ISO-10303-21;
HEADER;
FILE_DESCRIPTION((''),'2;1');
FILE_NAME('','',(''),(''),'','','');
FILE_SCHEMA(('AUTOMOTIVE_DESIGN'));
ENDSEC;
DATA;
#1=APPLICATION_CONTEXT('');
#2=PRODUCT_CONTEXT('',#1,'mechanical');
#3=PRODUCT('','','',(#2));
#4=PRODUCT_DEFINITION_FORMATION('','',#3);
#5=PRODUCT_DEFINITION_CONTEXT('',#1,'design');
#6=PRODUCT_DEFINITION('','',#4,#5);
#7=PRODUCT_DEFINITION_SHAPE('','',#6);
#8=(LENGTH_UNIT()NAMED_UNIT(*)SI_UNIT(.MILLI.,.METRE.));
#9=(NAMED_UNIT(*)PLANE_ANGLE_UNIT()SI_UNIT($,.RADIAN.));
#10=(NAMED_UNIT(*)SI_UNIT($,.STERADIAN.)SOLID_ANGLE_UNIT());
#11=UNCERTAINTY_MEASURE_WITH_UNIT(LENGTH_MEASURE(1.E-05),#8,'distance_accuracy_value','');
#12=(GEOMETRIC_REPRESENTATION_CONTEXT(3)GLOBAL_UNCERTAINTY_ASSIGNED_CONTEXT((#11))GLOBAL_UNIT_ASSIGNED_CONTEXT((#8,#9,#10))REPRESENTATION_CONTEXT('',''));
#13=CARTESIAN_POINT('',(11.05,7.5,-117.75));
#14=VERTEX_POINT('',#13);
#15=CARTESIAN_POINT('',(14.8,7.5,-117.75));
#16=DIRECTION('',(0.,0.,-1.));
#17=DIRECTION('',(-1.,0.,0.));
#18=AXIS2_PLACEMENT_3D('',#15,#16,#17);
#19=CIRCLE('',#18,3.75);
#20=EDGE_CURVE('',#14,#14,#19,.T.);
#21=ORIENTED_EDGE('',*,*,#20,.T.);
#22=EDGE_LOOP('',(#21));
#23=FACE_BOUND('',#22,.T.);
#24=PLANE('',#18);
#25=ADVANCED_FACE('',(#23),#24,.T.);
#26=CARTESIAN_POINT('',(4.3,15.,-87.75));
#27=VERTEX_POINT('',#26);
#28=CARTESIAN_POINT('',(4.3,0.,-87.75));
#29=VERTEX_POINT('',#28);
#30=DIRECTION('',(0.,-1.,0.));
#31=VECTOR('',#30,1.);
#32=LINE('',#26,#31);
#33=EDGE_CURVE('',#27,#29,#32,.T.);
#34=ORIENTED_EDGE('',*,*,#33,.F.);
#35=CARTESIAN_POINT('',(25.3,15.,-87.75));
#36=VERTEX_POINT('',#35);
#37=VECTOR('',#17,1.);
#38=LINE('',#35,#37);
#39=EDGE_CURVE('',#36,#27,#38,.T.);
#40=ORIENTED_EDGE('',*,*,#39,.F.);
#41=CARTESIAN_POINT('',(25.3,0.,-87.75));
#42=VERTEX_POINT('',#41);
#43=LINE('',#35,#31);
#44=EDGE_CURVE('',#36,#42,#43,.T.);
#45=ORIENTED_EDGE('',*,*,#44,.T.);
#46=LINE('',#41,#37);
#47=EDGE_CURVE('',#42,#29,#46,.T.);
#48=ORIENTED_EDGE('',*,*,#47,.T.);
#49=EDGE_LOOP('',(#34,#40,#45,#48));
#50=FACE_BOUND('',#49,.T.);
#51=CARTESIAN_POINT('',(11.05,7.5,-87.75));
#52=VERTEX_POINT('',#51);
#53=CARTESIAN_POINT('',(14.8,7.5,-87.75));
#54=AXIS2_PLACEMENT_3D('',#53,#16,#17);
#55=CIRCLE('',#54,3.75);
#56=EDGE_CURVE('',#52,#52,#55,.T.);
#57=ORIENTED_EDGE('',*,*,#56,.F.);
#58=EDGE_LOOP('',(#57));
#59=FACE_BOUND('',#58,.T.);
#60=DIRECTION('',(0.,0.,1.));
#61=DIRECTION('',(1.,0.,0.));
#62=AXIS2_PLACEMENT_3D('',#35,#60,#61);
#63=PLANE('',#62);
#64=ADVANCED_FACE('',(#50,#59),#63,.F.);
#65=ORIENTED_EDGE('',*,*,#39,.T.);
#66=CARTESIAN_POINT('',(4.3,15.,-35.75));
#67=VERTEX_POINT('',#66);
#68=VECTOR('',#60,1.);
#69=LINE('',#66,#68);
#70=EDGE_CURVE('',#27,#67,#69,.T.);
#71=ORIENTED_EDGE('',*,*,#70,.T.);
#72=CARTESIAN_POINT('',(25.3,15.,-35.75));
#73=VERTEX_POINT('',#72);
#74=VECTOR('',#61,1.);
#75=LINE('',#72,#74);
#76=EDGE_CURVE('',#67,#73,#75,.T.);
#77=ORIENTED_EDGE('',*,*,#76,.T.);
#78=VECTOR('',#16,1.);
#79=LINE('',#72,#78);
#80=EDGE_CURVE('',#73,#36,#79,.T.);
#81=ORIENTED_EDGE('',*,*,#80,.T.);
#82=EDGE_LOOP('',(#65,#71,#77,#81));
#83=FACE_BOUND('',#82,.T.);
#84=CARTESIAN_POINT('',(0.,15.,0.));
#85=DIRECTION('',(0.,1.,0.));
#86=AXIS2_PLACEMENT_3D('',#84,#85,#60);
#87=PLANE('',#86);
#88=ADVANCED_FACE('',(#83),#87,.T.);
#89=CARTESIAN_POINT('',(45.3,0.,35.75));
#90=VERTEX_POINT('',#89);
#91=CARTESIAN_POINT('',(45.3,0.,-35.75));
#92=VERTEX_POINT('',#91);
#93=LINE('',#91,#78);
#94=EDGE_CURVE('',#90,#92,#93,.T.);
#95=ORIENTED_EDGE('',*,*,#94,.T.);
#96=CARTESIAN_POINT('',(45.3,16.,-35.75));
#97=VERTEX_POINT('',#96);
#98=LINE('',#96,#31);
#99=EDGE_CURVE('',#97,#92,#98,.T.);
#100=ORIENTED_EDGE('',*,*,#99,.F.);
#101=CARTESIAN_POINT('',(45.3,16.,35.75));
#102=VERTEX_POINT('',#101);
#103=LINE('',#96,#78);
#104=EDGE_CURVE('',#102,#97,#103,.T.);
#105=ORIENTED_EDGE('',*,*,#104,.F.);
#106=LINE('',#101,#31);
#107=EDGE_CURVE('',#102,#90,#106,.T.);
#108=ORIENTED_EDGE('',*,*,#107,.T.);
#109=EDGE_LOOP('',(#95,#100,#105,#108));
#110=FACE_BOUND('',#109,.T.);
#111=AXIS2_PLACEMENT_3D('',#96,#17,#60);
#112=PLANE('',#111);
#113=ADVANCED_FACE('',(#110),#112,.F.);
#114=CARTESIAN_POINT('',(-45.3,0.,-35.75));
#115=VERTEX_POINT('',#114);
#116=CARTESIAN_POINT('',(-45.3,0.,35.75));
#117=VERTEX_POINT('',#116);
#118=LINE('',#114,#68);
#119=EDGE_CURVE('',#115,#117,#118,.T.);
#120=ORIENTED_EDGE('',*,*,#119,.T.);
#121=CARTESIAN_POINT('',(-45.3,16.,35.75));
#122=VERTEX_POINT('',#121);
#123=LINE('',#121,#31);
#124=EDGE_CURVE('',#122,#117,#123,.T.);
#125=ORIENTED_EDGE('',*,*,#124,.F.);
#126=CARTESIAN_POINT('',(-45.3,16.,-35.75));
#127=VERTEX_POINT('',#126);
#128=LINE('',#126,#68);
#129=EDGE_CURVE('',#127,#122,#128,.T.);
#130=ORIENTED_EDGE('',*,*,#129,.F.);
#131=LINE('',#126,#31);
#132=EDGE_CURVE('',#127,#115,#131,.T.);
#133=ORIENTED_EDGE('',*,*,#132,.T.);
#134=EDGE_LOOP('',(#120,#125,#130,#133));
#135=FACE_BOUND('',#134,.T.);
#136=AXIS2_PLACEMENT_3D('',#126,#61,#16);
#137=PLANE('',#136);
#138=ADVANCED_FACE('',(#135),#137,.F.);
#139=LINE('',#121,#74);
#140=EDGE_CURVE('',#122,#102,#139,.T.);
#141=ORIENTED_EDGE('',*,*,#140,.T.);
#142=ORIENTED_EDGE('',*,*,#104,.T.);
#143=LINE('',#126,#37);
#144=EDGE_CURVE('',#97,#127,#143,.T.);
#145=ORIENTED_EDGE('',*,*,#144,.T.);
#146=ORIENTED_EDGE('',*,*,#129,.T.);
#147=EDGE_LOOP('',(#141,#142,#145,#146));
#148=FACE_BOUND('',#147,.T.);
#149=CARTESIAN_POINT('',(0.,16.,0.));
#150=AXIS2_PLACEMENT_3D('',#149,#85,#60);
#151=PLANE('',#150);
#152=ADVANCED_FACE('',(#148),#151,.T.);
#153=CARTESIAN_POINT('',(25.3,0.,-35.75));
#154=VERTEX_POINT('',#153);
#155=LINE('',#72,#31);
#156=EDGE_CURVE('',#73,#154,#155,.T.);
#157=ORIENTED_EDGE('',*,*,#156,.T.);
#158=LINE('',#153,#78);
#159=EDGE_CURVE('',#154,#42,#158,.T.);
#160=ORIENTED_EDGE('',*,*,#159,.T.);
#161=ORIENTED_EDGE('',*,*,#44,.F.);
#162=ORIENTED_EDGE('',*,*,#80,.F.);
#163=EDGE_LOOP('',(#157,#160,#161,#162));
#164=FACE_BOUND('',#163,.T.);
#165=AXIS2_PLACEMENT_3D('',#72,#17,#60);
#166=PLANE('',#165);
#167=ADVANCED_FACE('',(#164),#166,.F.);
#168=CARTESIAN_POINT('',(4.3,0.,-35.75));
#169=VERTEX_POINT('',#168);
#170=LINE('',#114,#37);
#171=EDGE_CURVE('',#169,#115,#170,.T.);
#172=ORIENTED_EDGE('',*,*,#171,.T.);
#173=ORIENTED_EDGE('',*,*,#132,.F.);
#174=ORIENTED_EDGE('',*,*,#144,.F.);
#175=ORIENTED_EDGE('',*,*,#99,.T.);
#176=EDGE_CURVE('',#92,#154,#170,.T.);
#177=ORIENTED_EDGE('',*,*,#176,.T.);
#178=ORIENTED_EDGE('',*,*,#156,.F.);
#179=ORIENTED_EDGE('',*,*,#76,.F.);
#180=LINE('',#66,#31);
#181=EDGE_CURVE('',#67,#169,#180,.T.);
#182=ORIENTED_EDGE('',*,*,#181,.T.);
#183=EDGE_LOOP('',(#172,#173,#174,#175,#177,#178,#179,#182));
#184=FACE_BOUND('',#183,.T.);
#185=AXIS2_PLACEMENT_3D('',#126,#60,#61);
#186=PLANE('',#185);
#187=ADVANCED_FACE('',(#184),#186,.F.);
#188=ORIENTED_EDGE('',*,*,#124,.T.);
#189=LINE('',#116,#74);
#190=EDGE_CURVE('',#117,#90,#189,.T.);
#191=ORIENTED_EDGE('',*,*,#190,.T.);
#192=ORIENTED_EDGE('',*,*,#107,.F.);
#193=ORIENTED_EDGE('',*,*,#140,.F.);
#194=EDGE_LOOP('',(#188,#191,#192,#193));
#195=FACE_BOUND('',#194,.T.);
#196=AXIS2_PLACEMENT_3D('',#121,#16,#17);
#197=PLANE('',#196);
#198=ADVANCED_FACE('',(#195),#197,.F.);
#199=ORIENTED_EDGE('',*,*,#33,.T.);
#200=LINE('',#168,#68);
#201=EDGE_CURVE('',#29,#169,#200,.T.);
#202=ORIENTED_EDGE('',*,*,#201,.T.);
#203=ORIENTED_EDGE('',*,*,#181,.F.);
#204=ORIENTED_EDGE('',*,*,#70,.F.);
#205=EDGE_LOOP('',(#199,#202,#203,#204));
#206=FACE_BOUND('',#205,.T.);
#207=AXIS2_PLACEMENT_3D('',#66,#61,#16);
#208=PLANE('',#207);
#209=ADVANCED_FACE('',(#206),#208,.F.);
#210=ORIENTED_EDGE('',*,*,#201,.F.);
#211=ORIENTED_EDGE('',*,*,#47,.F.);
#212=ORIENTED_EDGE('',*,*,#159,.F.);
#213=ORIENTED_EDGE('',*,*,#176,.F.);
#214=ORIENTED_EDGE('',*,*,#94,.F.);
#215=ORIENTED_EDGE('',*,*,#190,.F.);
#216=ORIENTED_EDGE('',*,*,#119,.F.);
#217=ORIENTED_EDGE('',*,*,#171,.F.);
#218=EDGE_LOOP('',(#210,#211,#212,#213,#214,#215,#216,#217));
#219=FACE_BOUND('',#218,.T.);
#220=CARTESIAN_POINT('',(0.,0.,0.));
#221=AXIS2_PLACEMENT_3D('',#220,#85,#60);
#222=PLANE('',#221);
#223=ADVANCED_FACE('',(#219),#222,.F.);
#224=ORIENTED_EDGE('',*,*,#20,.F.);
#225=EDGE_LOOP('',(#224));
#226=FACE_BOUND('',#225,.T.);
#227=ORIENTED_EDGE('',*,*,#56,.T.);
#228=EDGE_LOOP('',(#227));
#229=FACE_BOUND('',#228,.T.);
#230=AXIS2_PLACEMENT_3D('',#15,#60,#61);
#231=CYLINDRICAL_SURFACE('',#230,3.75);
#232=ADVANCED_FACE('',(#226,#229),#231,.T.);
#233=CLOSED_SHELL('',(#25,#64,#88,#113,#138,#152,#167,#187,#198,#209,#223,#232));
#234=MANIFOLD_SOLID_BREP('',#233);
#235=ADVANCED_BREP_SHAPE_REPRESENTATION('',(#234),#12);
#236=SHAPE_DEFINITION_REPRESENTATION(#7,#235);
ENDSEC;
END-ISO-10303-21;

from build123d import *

# Parameters (mm, degrees)
SKETCH1_W           = 90.6
SKETCH1_H           = 71.5
BOSS_EXTRUDE1_DEPTH = 16
SKETCH2_W           = 21
SKETCH2_H           = 52
BOSS_EXTRUDE2_DEPTH = 15
SKETCH3_R           = 3.75
BOSS_EXTRUDE3_DEPTH = 30


with BuildPart() as part:
    # Sketch1 → Boss-Extrude1 (new body)
    with BuildSketch(Plane(origin=(0, 0, 0), x_dir=(1, 0, 0), z_dir=(0, 1, 0))):
        Rectangle(SKETCH1_W, SKETCH1_H)
    extrude(amount=BOSS_EXTRUDE1_DEPTH)

    # Sketch2 → Boss-Extrude2 (add)
    with BuildSketch(Plane(origin=(0, 0, 0), x_dir=(1, 0, 0), z_dir=(0, 1, 0))):
        with Locations((14.8, 61.75)):
            Rectangle(SKETCH2_W, SKETCH2_H)
    extrude(amount=BOSS_EXTRUDE2_DEPTH)

    # Sketch3 → Boss-Extrude3 (add)
    with BuildSketch(Plane(origin=(0, 0, -87.75), x_dir=(-1, 0, 0), z_dir=(0, 0, -1))):
        with Locations((-14.8, 7.5)):
            Circle(SKETCH3_R)
    extrude(amount=BOSS_EXTRUDE3_DEPTH)


solid = part.part
